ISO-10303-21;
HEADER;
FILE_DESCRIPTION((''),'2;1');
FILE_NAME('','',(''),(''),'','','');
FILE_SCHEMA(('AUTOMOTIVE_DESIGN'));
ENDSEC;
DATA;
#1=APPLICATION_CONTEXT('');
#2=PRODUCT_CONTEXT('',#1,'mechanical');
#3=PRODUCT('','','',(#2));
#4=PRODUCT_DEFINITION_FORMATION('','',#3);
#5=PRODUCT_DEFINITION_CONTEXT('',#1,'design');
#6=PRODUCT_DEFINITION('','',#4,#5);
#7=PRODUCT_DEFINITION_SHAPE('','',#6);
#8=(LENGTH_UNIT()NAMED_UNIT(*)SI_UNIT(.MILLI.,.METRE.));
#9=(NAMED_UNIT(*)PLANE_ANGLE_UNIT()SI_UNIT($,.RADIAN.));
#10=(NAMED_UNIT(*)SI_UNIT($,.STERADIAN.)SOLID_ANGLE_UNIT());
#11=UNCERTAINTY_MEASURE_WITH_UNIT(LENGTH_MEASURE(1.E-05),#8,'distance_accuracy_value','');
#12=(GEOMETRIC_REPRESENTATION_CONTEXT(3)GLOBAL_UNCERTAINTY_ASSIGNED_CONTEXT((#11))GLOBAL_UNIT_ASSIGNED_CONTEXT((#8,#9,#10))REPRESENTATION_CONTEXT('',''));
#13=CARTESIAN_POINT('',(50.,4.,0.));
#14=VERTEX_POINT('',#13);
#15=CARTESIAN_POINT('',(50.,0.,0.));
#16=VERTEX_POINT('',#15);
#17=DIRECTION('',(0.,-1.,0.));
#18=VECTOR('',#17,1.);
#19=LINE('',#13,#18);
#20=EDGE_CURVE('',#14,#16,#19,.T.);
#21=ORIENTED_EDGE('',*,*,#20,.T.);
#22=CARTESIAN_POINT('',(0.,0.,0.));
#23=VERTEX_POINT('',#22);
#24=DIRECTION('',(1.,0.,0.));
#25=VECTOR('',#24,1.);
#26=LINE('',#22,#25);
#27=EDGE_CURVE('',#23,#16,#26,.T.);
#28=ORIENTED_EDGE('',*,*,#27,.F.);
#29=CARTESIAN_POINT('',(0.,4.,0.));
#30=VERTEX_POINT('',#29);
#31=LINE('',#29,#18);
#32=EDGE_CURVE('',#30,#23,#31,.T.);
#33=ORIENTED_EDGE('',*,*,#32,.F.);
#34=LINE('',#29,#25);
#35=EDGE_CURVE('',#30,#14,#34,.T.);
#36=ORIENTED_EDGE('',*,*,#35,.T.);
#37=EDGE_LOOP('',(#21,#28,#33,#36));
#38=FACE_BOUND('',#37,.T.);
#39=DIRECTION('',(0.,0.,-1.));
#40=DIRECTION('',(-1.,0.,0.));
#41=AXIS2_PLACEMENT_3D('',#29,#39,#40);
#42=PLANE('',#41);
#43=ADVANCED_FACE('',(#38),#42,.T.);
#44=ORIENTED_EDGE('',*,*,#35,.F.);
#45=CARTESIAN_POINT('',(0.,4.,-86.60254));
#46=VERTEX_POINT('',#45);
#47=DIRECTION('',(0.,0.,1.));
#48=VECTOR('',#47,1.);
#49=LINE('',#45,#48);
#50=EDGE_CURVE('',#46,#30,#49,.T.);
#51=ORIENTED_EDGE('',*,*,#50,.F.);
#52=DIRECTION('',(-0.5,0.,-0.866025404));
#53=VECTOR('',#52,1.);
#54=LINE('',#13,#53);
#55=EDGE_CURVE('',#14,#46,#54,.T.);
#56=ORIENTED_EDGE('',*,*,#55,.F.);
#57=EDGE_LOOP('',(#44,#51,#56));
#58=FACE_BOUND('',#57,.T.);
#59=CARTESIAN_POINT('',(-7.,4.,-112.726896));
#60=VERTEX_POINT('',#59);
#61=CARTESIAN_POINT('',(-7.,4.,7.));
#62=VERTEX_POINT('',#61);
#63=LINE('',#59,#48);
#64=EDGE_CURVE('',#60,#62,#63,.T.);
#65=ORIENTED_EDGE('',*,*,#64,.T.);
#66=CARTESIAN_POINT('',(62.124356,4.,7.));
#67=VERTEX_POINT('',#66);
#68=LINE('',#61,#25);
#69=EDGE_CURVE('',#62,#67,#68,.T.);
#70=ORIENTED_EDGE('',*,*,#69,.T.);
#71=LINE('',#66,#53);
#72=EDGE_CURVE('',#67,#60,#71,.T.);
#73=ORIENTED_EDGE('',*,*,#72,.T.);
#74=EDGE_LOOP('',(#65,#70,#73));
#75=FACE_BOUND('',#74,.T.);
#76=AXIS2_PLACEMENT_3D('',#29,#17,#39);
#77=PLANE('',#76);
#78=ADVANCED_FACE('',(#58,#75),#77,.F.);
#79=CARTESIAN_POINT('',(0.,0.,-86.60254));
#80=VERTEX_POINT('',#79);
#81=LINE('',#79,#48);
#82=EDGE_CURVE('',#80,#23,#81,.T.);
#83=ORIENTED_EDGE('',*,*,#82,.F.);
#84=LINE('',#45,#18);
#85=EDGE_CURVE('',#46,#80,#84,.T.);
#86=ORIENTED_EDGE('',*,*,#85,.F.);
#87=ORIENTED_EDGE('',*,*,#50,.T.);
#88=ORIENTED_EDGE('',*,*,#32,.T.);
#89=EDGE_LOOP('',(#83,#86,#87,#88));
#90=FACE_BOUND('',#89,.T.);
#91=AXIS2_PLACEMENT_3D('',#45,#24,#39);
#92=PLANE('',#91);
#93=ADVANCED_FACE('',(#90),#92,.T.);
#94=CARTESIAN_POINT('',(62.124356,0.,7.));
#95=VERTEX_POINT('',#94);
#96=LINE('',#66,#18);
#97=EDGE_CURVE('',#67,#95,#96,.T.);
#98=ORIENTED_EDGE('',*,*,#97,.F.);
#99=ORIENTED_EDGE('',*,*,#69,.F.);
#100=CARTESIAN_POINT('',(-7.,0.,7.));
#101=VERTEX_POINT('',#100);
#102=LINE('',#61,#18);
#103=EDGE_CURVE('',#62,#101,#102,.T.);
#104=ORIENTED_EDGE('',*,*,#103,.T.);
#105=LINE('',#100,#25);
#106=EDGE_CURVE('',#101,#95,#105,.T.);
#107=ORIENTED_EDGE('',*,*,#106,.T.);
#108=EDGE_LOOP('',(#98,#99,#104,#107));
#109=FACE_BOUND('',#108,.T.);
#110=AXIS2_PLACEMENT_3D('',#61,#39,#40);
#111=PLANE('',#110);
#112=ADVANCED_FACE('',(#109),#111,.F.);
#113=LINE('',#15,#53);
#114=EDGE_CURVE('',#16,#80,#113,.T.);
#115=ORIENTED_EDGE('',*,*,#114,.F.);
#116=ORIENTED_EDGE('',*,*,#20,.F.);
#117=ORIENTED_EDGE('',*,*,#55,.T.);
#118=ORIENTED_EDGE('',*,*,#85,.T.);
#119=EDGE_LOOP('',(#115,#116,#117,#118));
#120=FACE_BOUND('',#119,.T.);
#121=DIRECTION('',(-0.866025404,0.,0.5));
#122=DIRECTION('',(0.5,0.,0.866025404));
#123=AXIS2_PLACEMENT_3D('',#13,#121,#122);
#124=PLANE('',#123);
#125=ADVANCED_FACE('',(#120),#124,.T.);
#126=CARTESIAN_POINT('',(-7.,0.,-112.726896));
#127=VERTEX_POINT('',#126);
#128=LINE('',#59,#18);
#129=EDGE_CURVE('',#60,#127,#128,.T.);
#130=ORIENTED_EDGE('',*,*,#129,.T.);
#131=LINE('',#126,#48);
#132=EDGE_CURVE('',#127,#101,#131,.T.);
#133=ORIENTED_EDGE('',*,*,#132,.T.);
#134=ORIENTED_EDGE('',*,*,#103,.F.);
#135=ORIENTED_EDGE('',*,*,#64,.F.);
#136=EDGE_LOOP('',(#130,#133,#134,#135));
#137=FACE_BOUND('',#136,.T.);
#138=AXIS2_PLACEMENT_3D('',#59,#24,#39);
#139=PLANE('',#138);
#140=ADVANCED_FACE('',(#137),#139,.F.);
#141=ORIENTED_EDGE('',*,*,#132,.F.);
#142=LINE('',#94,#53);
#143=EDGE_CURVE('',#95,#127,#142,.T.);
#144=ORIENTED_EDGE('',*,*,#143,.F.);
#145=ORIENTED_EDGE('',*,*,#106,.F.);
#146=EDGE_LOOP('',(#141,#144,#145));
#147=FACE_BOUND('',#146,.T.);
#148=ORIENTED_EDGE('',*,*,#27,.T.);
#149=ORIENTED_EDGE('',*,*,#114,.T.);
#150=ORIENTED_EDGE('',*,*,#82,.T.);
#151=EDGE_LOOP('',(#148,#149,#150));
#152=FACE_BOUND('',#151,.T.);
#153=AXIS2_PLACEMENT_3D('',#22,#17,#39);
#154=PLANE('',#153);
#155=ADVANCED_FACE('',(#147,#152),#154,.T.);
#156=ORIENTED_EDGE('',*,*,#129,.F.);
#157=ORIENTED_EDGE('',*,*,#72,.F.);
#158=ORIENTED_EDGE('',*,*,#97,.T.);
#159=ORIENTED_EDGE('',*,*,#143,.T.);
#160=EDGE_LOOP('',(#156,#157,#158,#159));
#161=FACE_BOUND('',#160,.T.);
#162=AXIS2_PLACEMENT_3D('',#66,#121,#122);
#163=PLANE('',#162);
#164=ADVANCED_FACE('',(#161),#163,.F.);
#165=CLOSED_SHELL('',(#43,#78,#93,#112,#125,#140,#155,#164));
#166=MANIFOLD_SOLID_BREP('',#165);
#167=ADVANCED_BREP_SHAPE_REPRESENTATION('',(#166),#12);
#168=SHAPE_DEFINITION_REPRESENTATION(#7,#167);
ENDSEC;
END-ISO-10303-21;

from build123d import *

# Parameters (mm, degrees)
EXTRUDE_1_DEPTH = 4


with BuildPart() as part:
    # 草图1 → 凸台-拉伸1 (new body)
    with BuildSketch(Plane(origin=(0, 0, 0), x_dir=(1, 0, 0), z_dir=(0, 1, 0))):
        Polygon((62.124355653, -7), (-7, 112.726896031), (-7, -7), align=None)
        Polygon((0, 86.602540378), (0, 0), (50, 0), align=None, mode=Mode.SUBTRACT)
    extrude(amount=EXTRUDE_1_DEPTH)


solid = part.part
